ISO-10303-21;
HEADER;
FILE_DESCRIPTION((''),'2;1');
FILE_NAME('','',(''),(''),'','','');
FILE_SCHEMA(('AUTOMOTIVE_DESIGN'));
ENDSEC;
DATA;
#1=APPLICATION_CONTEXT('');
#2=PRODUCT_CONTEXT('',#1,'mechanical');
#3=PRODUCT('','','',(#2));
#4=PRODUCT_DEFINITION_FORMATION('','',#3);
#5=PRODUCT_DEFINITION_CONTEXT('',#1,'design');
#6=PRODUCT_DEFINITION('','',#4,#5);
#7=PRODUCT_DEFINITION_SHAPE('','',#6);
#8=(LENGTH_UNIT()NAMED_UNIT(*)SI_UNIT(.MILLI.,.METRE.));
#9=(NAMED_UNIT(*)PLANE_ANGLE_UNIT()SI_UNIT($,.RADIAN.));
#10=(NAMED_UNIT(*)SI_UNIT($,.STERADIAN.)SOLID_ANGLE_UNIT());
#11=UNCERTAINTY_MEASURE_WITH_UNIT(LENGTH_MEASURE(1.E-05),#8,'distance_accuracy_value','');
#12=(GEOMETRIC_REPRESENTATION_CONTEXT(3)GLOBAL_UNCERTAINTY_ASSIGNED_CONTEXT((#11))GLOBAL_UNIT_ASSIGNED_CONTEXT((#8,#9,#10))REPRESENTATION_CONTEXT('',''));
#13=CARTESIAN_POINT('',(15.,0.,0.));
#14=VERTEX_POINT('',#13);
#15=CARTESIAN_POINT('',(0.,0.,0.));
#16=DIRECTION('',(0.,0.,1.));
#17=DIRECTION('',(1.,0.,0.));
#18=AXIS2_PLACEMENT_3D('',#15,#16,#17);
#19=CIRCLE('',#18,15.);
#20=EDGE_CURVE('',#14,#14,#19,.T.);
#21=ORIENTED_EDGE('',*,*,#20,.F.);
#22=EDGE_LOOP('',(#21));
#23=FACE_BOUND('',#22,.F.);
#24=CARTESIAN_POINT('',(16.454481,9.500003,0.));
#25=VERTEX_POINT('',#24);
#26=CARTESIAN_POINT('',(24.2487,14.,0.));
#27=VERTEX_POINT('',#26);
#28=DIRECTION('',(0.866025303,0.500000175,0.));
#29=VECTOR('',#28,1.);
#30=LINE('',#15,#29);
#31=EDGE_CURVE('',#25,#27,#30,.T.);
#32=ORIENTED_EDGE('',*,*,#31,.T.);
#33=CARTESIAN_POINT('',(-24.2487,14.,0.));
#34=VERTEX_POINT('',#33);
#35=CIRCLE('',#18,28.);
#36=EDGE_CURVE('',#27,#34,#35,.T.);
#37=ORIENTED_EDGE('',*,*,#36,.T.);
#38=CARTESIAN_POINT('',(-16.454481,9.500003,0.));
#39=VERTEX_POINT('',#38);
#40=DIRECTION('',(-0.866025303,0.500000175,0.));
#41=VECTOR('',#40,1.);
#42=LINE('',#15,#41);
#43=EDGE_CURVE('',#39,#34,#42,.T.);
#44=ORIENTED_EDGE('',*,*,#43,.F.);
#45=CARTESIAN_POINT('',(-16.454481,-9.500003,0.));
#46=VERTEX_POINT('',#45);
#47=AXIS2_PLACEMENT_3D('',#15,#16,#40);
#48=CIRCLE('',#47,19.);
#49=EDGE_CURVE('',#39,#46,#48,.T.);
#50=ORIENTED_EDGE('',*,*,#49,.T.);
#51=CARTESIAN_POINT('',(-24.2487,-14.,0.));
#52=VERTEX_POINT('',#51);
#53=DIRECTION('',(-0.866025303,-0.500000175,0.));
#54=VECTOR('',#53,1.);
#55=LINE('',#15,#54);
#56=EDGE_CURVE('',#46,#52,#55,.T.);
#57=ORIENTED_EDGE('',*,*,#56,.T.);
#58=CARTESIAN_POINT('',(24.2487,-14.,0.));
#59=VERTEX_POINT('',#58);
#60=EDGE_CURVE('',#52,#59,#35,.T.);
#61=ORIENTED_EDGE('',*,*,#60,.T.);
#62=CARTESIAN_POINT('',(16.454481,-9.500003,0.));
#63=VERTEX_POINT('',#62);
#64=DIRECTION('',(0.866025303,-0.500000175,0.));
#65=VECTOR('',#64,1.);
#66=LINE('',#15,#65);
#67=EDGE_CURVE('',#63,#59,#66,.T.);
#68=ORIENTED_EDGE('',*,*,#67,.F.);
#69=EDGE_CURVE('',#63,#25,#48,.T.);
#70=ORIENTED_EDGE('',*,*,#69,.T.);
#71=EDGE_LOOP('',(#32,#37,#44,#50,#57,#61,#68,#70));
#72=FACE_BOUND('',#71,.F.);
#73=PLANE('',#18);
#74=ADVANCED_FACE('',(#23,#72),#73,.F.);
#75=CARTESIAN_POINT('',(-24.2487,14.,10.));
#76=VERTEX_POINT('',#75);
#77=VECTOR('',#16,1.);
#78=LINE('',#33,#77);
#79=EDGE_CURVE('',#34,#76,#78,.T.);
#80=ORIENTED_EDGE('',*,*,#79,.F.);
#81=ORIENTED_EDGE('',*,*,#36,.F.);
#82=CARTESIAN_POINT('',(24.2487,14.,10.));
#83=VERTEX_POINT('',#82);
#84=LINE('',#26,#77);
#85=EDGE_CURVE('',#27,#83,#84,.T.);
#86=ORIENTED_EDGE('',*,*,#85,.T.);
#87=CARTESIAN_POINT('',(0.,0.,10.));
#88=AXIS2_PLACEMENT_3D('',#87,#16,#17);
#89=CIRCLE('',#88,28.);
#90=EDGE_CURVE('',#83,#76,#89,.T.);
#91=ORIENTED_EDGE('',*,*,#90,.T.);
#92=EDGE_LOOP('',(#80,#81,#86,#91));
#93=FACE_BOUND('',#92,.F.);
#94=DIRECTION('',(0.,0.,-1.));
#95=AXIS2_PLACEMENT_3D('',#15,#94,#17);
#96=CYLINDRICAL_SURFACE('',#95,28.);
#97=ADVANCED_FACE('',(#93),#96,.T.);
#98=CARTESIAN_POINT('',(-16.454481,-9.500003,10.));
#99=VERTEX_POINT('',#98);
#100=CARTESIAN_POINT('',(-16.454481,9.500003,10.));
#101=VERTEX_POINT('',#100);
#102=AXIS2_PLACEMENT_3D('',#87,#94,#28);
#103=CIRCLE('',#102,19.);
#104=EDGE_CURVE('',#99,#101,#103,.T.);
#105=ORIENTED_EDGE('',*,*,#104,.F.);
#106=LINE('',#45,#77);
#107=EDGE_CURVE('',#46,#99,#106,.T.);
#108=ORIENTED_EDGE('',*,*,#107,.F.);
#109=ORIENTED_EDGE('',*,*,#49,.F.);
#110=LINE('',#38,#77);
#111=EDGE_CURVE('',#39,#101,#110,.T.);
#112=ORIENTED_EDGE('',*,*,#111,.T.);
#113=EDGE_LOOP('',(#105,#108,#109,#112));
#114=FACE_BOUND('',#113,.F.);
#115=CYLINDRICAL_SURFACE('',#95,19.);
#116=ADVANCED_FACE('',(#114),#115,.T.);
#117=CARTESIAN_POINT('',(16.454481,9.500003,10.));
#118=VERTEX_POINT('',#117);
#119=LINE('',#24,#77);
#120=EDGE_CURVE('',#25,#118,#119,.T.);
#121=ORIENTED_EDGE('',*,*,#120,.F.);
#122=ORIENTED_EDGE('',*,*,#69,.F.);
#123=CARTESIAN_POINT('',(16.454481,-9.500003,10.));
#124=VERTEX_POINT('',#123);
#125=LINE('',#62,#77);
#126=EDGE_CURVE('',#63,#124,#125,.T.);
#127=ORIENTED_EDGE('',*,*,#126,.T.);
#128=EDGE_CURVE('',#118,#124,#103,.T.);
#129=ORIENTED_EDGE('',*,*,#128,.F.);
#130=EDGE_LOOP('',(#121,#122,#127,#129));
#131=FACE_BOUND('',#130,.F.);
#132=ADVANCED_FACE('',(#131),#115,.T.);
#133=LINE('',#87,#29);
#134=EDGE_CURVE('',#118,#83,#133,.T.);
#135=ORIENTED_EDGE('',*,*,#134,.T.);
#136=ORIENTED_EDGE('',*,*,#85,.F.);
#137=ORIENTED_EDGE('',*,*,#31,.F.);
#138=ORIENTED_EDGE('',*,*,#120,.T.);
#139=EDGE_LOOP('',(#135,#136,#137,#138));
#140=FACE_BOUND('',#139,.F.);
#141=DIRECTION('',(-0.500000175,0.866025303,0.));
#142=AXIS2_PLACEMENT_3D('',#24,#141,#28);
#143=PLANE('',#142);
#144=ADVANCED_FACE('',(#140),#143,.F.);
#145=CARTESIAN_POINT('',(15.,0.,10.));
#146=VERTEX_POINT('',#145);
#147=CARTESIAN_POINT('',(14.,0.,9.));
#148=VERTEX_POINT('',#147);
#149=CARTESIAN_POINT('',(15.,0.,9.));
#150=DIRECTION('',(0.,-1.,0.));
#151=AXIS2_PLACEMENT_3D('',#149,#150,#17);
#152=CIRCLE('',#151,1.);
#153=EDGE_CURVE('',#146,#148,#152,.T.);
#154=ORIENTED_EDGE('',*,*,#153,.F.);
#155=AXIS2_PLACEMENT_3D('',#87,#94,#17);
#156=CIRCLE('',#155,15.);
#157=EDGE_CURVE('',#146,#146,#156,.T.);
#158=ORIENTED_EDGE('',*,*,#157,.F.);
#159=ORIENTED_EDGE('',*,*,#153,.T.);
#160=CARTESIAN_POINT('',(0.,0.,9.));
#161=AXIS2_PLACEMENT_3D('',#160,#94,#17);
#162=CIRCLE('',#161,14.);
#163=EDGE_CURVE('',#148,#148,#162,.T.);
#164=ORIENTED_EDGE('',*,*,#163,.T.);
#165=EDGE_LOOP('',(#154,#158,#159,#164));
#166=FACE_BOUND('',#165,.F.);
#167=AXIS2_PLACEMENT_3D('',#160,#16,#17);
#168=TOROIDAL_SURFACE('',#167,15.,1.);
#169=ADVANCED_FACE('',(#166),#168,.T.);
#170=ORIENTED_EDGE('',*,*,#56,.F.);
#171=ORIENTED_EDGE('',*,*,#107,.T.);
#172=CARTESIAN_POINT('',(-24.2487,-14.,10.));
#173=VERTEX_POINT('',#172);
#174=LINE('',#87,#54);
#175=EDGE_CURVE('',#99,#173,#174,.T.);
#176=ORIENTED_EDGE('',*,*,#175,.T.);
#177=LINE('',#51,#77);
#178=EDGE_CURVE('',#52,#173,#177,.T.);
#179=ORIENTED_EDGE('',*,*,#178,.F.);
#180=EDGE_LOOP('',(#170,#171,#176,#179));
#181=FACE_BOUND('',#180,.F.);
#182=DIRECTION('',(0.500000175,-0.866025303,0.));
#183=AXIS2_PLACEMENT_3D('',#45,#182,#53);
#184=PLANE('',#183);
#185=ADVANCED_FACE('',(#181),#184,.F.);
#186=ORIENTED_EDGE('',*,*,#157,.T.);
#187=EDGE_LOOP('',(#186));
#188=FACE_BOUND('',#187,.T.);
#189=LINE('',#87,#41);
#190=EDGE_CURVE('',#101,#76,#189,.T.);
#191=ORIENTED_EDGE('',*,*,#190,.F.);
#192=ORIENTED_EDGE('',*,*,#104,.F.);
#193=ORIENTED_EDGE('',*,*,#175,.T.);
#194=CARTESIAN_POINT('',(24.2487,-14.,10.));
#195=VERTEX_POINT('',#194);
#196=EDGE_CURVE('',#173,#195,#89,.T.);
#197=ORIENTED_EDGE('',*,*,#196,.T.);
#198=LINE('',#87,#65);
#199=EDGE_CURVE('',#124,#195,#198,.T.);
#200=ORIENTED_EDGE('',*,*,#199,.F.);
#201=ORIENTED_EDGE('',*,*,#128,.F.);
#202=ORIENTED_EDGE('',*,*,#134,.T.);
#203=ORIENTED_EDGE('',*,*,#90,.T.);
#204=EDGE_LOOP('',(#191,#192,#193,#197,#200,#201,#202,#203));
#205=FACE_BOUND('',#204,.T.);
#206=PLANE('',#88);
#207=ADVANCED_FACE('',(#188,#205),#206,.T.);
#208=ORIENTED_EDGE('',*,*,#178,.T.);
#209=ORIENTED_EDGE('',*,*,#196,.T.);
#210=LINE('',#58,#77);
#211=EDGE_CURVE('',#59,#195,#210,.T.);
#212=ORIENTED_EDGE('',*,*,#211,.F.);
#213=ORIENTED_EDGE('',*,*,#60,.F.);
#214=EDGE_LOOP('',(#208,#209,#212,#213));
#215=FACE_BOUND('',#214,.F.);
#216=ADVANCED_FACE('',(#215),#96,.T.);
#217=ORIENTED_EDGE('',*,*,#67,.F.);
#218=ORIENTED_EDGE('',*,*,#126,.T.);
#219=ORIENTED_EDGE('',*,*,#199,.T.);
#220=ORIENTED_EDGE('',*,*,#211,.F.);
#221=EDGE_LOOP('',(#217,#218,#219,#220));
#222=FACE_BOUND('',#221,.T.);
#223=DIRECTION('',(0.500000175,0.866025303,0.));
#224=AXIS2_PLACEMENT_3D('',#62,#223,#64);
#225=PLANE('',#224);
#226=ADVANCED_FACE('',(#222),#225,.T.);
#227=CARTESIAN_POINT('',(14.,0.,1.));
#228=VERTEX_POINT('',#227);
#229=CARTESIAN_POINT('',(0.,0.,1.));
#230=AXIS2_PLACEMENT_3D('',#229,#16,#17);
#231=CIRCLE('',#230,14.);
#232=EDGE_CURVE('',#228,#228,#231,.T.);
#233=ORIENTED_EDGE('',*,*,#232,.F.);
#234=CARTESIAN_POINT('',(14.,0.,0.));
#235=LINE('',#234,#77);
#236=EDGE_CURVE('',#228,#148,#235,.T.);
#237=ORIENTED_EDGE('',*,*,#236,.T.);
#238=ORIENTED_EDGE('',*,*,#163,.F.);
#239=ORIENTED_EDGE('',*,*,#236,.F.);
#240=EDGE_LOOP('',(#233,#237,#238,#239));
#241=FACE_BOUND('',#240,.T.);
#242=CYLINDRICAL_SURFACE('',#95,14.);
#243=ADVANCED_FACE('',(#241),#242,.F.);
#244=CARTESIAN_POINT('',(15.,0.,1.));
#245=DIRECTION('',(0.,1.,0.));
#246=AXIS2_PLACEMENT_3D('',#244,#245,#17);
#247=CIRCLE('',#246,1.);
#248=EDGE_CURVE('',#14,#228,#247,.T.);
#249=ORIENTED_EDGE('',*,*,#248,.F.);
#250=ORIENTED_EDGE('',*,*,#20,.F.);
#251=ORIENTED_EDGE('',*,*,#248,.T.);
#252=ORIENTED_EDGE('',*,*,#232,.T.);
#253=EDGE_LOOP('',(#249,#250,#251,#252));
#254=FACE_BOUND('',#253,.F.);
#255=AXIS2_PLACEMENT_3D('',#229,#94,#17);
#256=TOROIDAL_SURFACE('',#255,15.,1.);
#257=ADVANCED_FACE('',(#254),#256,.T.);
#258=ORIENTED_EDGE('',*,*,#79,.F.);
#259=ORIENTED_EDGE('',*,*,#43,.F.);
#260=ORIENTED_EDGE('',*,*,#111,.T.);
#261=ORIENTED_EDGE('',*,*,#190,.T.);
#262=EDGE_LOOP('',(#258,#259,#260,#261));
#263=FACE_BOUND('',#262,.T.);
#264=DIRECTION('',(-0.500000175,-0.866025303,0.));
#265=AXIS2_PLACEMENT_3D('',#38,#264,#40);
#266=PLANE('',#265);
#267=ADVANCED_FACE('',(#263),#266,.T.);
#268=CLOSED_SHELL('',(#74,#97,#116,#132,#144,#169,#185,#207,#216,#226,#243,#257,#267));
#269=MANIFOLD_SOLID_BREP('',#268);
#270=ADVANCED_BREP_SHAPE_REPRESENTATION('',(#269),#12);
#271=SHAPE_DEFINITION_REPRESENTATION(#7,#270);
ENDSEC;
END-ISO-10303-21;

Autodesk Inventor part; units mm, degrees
ref_plane "YZ Plane" through (0, 0, 0) normal (1, 0, 0) x (0, 1, 0)
ref_plane "XZ Plane" through (0, 0, 0) normal (0, 1, 0) x (-1, 0, 0)
ref_plane "XY Plane" through (0, 0, 0) normal (0, 0, 1) x (1, 0, 0)
sketch "Sketch1" plane through (0, 0, 0) normal (0, 0, 1) x (1, 0, 0)
  circle A0 centre (0, 0) radius 28
  circle A1 centre (0, 0) radius 14
  circle A2 centre (0, 0) radius 19
  line L0 (0, 0) -> (-24.2487, 14)
  line L1 (0, 0) -> (24.2487, 14)
  line L2 (0, 0) -> (6.8345, 0)
  line L3 (0, 0) -> (24.2487, -14)
  line L4 (0, 0) -> (-24.2487, -14)
  point P0 (-16.4545, 9.5)
  point P1 (16.4545, 9.5)
  point P2 (-16.4545, -9.5)
  point P3 (16.4545, -9.5)
  dimension "d0" = 56
  dimension "d1" = 28
  dimension "d2" = 5
  dimension "d3" = 120
  dimension "d4" = 30
  dimension "d8" = 120
  dimension "d9" = 60
extrude "Extrusion1" add sketch "Sketch1" along normal blind 10 contours L1 A2 L0 A0 | L1 A1 L0 A2 | A2 L3 A1 L1 | A2 L4 A1 L3 | L0 A1 L4 A2
fillet "Fillet1" radius 1 2 edges at (-14, 0, 0) (-14, 0, 10)
extrude "Extrusion2" add sketch "Sketch1" along normal blind 10 contours A0 L4 A2 L3
properties part number "soporte bomba"
